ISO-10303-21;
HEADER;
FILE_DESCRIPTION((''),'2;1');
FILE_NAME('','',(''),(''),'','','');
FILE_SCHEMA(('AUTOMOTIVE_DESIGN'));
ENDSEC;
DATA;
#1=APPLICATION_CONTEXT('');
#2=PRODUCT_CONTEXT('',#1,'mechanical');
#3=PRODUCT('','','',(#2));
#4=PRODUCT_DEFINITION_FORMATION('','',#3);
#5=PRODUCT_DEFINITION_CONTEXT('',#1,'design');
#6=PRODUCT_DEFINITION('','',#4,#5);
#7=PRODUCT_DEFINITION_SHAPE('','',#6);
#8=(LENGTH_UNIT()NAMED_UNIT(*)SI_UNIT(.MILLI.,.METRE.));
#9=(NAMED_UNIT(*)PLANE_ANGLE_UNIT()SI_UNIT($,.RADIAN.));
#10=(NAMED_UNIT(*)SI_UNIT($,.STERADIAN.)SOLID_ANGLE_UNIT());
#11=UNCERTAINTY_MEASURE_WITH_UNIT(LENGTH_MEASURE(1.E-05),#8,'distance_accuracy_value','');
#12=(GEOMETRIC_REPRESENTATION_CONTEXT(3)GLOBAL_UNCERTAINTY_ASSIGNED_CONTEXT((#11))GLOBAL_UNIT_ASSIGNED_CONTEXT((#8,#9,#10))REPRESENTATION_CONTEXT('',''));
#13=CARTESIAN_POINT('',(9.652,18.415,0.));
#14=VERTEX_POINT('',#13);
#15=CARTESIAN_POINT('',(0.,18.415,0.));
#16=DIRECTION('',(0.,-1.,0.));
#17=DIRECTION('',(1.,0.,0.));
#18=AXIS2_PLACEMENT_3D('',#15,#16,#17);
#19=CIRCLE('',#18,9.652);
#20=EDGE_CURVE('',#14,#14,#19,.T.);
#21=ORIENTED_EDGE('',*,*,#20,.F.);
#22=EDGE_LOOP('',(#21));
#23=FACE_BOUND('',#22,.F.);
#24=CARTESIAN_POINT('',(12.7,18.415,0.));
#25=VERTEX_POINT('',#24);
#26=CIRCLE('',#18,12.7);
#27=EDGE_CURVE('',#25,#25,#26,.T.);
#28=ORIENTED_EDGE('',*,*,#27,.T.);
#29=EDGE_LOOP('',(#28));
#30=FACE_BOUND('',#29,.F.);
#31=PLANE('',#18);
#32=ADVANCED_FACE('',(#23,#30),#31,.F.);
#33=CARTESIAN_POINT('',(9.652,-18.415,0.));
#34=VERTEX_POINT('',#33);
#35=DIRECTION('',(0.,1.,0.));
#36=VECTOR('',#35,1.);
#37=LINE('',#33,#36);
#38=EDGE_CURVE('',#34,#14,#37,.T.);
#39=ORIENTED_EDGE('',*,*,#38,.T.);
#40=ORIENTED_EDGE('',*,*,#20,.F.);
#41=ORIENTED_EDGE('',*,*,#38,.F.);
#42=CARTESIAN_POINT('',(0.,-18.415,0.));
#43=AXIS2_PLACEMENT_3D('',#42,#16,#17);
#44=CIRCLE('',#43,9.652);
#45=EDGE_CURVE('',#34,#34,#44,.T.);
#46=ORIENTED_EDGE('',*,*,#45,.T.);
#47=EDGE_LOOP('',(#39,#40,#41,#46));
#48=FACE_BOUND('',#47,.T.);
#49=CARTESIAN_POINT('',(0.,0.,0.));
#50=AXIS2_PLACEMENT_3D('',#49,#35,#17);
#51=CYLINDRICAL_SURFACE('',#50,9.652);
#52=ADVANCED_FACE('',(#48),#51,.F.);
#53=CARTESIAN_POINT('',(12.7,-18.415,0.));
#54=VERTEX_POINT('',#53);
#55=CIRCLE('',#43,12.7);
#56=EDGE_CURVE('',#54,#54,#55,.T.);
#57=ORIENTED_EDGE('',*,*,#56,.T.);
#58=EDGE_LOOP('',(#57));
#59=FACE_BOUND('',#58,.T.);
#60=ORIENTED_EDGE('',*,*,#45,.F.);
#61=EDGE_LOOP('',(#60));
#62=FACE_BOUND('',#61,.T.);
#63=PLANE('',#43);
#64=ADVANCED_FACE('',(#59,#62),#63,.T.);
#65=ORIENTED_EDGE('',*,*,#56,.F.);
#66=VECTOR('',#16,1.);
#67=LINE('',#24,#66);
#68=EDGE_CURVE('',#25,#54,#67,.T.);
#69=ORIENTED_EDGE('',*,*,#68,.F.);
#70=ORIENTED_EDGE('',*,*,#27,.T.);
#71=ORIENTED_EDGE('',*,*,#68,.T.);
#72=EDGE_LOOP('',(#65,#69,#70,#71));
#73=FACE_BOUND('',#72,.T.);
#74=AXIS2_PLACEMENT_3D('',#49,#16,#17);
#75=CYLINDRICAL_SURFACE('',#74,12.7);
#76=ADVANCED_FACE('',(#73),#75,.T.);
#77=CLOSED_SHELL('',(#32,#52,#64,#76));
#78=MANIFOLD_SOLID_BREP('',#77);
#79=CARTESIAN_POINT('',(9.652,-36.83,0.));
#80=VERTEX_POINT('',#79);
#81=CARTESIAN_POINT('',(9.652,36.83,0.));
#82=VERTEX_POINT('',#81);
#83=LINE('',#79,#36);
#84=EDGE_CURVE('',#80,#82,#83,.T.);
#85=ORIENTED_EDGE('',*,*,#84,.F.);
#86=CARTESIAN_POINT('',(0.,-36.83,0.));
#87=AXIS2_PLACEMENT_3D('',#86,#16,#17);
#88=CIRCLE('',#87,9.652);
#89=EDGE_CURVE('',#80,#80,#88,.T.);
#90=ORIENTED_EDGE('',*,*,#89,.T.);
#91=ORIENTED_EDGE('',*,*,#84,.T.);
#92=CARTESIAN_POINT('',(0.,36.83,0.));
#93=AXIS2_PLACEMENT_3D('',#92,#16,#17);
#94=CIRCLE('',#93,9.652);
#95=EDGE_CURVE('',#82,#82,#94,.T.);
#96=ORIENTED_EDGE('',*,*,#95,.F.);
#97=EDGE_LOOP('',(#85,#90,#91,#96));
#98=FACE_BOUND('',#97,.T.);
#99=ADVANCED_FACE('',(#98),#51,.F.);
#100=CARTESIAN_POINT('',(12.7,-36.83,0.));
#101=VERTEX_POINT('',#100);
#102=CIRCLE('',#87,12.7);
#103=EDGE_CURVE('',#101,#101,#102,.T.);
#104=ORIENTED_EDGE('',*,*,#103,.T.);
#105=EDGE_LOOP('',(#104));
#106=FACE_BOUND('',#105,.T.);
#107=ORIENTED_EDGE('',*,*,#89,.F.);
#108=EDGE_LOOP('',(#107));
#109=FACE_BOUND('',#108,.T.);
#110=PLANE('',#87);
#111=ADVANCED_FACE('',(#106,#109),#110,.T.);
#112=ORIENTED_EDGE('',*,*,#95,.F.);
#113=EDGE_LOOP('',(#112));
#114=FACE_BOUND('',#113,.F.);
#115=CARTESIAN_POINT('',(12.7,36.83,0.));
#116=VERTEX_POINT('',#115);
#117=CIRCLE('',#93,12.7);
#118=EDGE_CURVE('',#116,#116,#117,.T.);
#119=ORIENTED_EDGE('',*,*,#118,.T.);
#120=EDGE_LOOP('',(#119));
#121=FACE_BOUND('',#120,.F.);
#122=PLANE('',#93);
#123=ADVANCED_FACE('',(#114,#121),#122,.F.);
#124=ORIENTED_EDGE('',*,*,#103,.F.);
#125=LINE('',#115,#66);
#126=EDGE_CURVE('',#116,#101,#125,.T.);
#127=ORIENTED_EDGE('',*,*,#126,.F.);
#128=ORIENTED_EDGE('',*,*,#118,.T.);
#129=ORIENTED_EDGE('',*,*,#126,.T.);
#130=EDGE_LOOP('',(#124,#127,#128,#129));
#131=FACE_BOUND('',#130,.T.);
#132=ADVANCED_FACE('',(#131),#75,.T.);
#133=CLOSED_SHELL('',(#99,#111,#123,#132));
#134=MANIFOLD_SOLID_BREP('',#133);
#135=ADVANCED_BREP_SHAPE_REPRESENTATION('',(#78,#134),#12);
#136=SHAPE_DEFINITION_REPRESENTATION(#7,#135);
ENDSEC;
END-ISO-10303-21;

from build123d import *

# Parameters (mm, degrees)
F0_R     = 12.7
F0_R_2   = 9.652
F1_DEPTH = 18.415
F2_DEPTH = 36.83


with BuildPart() as f1:
    # F0 (on Front) → F1 (new body, symmetric)
    with BuildSketch(Plane.XZ):
        Circle(F0_R)
        Circle(F0_R_2, mode=Mode.SUBTRACT)
    extrude(amount=F1_DEPTH, both=True)


with BuildPart() as f2:
    # F0 (on Front) → F2 (new body, symmetric)
    with BuildSketch(Plane.XZ):
        Circle(F0_R)
        Circle(F0_R_2, mode=Mode.SUBTRACT)
    extrude(amount=F2_DEPTH, both=True)


solid = Compound([f1.part, f2.part])
